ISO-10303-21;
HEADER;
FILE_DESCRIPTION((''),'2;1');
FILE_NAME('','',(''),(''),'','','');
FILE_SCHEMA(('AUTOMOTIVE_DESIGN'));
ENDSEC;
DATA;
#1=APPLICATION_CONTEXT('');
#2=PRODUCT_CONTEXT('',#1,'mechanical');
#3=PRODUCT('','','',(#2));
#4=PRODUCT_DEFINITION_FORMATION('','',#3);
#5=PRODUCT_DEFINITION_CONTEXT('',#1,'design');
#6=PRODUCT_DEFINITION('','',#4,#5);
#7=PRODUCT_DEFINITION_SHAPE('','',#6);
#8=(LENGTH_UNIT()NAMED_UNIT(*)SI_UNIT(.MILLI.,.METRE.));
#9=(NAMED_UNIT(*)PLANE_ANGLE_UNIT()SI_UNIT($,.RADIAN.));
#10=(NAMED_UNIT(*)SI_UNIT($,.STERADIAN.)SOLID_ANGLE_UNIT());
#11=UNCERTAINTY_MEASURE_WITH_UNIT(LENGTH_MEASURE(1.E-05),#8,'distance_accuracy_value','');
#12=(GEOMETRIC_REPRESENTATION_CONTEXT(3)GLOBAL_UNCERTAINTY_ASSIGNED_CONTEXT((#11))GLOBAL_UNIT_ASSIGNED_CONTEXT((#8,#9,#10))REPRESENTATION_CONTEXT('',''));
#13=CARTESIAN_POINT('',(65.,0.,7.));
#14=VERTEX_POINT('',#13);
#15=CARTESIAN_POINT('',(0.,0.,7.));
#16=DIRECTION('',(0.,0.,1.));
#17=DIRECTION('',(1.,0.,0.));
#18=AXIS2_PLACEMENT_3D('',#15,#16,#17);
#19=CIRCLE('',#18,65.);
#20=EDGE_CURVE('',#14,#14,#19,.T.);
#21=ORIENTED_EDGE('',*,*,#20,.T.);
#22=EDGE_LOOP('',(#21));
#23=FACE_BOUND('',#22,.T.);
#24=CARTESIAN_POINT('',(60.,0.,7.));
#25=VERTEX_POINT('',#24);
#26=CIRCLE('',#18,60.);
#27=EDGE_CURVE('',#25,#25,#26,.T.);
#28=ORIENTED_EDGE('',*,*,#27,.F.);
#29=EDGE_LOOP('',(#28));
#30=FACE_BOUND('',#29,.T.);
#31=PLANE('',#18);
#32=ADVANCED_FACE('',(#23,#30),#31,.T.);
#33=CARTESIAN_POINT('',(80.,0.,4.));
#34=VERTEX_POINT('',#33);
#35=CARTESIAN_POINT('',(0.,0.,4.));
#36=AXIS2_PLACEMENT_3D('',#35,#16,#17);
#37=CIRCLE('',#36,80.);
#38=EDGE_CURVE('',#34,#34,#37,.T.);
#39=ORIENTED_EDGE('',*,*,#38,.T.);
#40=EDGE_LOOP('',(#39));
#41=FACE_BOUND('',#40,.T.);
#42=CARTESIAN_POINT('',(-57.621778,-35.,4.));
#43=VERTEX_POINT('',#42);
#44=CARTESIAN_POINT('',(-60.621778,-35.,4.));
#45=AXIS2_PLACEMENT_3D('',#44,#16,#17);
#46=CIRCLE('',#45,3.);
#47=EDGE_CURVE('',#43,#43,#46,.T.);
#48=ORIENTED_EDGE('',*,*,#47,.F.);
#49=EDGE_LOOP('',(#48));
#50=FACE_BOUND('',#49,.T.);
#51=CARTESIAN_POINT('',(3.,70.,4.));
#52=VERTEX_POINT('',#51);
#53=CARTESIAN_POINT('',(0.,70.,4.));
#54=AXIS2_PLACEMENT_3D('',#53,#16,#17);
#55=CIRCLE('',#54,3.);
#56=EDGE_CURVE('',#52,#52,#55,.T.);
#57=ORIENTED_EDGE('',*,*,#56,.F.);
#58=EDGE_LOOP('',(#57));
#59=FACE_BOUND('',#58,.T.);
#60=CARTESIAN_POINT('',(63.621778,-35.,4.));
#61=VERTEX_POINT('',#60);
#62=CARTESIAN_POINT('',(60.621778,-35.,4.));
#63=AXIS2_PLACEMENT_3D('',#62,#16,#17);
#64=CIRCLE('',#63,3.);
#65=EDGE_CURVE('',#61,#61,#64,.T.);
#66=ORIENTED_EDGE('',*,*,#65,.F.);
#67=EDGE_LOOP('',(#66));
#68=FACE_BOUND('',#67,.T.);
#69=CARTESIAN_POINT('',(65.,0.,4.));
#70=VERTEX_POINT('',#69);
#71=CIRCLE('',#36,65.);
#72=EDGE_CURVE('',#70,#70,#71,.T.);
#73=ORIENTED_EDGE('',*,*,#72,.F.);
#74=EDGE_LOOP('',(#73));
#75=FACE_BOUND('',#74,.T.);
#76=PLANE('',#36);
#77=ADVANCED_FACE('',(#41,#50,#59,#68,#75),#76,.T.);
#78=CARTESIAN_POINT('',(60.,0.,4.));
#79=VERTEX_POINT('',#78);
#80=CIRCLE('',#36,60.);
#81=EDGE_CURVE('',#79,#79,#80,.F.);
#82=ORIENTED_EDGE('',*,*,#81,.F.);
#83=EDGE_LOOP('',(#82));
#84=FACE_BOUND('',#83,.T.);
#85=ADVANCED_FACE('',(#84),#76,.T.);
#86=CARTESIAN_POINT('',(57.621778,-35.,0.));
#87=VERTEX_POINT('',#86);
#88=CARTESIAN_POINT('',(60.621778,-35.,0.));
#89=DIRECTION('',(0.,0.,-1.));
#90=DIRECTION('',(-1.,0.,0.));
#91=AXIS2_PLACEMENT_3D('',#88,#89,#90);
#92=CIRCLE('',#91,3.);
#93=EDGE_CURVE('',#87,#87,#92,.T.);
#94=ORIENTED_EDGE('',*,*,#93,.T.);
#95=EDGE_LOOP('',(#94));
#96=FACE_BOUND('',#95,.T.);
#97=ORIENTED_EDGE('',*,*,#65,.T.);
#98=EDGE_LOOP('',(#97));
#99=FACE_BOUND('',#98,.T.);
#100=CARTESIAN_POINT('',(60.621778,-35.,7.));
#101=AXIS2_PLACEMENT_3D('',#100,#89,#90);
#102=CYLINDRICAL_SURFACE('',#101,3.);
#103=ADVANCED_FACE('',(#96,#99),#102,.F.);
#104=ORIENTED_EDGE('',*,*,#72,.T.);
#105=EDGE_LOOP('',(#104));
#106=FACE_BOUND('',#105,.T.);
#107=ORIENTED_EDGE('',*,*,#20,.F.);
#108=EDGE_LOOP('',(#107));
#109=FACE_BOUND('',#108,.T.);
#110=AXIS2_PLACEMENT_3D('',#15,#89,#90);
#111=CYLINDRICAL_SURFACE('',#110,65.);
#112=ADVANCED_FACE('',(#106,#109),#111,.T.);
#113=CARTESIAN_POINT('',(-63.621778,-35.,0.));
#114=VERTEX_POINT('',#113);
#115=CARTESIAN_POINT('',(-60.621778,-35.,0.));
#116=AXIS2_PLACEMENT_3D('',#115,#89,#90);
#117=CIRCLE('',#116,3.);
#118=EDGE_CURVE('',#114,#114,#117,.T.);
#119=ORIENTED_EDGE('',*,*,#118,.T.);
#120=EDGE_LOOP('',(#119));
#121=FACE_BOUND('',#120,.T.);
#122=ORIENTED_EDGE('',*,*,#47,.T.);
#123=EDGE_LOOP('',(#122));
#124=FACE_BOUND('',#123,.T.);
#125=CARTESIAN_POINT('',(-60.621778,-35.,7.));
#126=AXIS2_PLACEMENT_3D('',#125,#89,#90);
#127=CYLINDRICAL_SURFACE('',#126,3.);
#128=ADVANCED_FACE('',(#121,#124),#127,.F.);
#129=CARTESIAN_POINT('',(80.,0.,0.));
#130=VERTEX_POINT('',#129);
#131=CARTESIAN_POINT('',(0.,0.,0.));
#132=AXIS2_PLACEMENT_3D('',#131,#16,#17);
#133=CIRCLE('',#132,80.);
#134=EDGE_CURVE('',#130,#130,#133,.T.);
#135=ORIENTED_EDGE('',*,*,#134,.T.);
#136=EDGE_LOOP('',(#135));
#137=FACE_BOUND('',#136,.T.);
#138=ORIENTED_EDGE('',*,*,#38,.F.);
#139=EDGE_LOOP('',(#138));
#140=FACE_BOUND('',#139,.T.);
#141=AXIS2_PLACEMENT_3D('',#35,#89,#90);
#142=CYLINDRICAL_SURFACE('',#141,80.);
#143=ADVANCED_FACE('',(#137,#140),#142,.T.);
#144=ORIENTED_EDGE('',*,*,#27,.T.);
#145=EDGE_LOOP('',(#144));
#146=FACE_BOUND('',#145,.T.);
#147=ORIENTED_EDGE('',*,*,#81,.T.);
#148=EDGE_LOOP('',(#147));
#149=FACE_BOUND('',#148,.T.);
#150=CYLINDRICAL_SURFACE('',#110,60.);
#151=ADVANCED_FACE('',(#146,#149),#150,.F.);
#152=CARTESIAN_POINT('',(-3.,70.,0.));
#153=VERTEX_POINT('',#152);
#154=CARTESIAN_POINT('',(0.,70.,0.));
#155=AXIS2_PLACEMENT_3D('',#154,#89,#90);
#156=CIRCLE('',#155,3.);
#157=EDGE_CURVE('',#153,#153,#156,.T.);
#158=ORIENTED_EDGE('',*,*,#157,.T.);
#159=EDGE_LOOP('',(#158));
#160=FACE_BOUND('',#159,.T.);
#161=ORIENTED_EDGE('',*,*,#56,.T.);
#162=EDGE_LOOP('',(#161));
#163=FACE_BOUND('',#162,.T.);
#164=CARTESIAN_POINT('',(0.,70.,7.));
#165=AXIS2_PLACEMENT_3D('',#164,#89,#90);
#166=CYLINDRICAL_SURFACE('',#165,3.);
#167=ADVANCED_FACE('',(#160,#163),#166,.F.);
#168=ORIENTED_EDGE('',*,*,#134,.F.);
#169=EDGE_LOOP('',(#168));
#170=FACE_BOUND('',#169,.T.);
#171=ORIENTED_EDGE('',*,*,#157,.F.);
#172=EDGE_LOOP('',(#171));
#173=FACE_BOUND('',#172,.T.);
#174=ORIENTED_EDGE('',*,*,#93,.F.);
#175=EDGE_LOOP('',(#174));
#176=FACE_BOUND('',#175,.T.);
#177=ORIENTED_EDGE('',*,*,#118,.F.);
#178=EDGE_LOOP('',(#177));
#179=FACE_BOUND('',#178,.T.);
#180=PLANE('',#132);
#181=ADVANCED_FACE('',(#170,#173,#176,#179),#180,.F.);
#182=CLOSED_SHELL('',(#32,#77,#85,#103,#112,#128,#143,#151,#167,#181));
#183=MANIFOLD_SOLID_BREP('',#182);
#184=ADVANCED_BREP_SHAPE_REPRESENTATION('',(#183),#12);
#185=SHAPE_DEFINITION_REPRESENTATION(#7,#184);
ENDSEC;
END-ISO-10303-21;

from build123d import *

# Parameters (mm, degrees)
SKETCH1_R           = 80
BOSS_EXTRUDE1_DEPTH = 4
SKETCH2_R           = 65
SKETCH2_R_2         = 60
BOSS_EXTRUDE2_DEPTH = 3
SKETCH3_R           = 3
CUT_EXTRUDE2_DEPTH  = 8


with BuildPart() as part:
    # Sketch1 → Boss-Extrude1 (new body)
    with BuildSketch(Plane.XY):
        Circle(SKETCH1_R)
    extrude(amount=BOSS_EXTRUDE1_DEPTH)

    # Sketch2 → Boss-Extrude2 (add)
    with BuildSketch(Plane.XY.offset(4)):
        Circle(SKETCH2_R)
        Circle(SKETCH2_R_2, mode=Mode.SUBTRACT)
    extrude(amount=BOSS_EXTRUDE2_DEPTH)

    # Sketch3 → Cut-Extrude2 (cut, through all)
    with BuildSketch(Plane(origin=(0, 0, 0), x_dir=(-1, 0, 0), z_dir=(0, 0, -1))):
        with Locations((0, 70)):
            Circle(SKETCH3_R)
        with Locations((60.621778265, -35)):
            Circle(SKETCH3_R)
        with Locations((-60.621778265, -35)):
            Circle(SKETCH3_R)
    extrude(amount=-CUT_EXTRUDE2_DEPTH, mode=Mode.SUBTRACT)


solid = part.part
